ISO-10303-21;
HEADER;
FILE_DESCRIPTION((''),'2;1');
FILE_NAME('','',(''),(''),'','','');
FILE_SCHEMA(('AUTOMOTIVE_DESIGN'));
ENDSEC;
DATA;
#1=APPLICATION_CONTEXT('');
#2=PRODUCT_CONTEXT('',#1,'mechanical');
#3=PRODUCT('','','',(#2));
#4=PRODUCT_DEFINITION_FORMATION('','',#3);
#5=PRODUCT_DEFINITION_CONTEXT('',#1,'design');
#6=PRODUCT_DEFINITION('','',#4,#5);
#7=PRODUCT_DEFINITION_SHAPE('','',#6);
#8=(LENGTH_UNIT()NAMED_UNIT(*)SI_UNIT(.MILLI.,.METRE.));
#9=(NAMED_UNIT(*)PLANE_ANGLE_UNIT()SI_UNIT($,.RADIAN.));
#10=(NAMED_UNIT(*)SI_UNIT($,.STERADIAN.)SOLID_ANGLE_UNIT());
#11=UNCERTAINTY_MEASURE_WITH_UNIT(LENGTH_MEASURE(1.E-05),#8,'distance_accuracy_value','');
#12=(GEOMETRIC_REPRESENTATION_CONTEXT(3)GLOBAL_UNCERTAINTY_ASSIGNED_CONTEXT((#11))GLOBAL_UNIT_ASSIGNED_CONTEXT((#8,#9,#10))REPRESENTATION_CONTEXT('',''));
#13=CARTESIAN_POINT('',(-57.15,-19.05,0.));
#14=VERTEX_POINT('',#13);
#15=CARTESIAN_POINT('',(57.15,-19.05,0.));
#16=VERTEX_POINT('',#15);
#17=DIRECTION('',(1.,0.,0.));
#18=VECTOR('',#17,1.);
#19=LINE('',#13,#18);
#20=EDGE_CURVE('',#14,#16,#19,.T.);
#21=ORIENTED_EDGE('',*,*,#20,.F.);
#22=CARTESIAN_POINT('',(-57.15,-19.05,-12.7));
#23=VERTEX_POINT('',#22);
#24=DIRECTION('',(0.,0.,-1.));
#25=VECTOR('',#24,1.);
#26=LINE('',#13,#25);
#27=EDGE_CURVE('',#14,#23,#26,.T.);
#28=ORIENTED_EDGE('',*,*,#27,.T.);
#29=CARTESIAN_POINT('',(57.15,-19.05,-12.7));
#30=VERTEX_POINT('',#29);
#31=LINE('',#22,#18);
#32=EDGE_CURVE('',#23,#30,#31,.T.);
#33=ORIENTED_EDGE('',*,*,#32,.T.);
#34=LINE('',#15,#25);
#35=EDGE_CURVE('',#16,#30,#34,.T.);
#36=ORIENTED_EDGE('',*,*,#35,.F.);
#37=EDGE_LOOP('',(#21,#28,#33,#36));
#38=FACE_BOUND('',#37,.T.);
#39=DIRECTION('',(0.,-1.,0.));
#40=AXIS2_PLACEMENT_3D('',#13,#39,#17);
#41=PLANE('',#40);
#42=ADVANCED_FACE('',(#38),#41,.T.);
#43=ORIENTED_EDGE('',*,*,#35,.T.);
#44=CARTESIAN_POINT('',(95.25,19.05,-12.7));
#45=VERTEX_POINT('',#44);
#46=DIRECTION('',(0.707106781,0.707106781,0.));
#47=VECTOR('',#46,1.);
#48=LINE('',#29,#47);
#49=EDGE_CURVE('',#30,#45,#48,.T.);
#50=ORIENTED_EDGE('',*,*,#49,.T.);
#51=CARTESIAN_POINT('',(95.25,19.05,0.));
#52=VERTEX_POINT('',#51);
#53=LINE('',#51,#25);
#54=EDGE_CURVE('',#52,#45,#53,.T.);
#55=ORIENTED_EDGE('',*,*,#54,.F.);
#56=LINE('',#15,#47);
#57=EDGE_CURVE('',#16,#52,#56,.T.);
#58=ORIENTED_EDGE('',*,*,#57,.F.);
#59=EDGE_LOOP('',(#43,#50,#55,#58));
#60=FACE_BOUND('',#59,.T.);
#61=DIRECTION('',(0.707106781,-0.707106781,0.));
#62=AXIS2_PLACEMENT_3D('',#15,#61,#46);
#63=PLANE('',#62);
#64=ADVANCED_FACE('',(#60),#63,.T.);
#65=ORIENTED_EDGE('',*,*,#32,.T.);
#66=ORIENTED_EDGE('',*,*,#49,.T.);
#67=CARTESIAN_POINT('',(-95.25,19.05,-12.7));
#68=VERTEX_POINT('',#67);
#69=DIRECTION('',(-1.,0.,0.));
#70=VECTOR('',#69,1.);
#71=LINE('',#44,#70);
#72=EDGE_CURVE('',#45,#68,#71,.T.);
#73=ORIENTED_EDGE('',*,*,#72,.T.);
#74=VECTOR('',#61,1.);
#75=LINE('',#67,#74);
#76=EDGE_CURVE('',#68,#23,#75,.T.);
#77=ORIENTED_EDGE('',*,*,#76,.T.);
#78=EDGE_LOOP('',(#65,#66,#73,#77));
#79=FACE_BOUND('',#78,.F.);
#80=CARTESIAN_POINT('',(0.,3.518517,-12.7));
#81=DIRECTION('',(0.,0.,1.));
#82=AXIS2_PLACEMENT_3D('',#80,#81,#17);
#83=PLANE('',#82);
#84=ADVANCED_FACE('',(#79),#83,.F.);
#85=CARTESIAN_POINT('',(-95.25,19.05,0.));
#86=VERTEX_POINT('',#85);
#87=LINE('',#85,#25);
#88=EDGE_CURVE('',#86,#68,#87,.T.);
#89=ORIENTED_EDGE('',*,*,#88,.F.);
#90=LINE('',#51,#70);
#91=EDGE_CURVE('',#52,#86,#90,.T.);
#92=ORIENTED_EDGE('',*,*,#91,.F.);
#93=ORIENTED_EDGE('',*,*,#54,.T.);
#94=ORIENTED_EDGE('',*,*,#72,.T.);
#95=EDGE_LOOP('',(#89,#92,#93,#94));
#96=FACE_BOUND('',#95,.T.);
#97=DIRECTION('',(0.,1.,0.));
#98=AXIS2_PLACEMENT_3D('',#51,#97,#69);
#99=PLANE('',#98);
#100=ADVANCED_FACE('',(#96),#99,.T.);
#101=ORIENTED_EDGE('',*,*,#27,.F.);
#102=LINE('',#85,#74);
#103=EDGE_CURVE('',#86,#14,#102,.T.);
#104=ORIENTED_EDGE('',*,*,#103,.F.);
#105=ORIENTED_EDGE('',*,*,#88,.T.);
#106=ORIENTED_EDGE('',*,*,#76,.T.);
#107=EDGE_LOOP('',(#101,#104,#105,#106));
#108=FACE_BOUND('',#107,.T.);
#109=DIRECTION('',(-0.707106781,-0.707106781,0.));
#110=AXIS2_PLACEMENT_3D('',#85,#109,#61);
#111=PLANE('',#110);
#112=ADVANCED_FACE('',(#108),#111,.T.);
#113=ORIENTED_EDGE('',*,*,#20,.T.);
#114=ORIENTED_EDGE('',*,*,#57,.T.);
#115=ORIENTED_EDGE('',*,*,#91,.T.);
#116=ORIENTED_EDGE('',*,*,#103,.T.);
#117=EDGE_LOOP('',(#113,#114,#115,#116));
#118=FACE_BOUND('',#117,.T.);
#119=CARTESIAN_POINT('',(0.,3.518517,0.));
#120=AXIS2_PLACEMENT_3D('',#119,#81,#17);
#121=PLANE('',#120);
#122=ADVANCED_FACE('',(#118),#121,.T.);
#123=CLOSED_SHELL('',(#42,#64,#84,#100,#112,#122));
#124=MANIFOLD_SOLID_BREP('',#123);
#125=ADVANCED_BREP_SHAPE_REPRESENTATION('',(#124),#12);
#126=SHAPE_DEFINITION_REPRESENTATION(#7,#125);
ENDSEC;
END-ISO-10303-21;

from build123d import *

# Parameters (mm, degrees)
F1_DEPTH = 12.7


with BuildPart() as f1:
    # F0 (on Top) → F1 (new body)
    with BuildSketch(Plane.XY):
        Polygon((57.15, -19.05), (95.25, 19.05), (-95.25, 19.05), (-57.15, -19.05), align=None)
    extrude(amount=-F1_DEPTH)


solid = f1.part
